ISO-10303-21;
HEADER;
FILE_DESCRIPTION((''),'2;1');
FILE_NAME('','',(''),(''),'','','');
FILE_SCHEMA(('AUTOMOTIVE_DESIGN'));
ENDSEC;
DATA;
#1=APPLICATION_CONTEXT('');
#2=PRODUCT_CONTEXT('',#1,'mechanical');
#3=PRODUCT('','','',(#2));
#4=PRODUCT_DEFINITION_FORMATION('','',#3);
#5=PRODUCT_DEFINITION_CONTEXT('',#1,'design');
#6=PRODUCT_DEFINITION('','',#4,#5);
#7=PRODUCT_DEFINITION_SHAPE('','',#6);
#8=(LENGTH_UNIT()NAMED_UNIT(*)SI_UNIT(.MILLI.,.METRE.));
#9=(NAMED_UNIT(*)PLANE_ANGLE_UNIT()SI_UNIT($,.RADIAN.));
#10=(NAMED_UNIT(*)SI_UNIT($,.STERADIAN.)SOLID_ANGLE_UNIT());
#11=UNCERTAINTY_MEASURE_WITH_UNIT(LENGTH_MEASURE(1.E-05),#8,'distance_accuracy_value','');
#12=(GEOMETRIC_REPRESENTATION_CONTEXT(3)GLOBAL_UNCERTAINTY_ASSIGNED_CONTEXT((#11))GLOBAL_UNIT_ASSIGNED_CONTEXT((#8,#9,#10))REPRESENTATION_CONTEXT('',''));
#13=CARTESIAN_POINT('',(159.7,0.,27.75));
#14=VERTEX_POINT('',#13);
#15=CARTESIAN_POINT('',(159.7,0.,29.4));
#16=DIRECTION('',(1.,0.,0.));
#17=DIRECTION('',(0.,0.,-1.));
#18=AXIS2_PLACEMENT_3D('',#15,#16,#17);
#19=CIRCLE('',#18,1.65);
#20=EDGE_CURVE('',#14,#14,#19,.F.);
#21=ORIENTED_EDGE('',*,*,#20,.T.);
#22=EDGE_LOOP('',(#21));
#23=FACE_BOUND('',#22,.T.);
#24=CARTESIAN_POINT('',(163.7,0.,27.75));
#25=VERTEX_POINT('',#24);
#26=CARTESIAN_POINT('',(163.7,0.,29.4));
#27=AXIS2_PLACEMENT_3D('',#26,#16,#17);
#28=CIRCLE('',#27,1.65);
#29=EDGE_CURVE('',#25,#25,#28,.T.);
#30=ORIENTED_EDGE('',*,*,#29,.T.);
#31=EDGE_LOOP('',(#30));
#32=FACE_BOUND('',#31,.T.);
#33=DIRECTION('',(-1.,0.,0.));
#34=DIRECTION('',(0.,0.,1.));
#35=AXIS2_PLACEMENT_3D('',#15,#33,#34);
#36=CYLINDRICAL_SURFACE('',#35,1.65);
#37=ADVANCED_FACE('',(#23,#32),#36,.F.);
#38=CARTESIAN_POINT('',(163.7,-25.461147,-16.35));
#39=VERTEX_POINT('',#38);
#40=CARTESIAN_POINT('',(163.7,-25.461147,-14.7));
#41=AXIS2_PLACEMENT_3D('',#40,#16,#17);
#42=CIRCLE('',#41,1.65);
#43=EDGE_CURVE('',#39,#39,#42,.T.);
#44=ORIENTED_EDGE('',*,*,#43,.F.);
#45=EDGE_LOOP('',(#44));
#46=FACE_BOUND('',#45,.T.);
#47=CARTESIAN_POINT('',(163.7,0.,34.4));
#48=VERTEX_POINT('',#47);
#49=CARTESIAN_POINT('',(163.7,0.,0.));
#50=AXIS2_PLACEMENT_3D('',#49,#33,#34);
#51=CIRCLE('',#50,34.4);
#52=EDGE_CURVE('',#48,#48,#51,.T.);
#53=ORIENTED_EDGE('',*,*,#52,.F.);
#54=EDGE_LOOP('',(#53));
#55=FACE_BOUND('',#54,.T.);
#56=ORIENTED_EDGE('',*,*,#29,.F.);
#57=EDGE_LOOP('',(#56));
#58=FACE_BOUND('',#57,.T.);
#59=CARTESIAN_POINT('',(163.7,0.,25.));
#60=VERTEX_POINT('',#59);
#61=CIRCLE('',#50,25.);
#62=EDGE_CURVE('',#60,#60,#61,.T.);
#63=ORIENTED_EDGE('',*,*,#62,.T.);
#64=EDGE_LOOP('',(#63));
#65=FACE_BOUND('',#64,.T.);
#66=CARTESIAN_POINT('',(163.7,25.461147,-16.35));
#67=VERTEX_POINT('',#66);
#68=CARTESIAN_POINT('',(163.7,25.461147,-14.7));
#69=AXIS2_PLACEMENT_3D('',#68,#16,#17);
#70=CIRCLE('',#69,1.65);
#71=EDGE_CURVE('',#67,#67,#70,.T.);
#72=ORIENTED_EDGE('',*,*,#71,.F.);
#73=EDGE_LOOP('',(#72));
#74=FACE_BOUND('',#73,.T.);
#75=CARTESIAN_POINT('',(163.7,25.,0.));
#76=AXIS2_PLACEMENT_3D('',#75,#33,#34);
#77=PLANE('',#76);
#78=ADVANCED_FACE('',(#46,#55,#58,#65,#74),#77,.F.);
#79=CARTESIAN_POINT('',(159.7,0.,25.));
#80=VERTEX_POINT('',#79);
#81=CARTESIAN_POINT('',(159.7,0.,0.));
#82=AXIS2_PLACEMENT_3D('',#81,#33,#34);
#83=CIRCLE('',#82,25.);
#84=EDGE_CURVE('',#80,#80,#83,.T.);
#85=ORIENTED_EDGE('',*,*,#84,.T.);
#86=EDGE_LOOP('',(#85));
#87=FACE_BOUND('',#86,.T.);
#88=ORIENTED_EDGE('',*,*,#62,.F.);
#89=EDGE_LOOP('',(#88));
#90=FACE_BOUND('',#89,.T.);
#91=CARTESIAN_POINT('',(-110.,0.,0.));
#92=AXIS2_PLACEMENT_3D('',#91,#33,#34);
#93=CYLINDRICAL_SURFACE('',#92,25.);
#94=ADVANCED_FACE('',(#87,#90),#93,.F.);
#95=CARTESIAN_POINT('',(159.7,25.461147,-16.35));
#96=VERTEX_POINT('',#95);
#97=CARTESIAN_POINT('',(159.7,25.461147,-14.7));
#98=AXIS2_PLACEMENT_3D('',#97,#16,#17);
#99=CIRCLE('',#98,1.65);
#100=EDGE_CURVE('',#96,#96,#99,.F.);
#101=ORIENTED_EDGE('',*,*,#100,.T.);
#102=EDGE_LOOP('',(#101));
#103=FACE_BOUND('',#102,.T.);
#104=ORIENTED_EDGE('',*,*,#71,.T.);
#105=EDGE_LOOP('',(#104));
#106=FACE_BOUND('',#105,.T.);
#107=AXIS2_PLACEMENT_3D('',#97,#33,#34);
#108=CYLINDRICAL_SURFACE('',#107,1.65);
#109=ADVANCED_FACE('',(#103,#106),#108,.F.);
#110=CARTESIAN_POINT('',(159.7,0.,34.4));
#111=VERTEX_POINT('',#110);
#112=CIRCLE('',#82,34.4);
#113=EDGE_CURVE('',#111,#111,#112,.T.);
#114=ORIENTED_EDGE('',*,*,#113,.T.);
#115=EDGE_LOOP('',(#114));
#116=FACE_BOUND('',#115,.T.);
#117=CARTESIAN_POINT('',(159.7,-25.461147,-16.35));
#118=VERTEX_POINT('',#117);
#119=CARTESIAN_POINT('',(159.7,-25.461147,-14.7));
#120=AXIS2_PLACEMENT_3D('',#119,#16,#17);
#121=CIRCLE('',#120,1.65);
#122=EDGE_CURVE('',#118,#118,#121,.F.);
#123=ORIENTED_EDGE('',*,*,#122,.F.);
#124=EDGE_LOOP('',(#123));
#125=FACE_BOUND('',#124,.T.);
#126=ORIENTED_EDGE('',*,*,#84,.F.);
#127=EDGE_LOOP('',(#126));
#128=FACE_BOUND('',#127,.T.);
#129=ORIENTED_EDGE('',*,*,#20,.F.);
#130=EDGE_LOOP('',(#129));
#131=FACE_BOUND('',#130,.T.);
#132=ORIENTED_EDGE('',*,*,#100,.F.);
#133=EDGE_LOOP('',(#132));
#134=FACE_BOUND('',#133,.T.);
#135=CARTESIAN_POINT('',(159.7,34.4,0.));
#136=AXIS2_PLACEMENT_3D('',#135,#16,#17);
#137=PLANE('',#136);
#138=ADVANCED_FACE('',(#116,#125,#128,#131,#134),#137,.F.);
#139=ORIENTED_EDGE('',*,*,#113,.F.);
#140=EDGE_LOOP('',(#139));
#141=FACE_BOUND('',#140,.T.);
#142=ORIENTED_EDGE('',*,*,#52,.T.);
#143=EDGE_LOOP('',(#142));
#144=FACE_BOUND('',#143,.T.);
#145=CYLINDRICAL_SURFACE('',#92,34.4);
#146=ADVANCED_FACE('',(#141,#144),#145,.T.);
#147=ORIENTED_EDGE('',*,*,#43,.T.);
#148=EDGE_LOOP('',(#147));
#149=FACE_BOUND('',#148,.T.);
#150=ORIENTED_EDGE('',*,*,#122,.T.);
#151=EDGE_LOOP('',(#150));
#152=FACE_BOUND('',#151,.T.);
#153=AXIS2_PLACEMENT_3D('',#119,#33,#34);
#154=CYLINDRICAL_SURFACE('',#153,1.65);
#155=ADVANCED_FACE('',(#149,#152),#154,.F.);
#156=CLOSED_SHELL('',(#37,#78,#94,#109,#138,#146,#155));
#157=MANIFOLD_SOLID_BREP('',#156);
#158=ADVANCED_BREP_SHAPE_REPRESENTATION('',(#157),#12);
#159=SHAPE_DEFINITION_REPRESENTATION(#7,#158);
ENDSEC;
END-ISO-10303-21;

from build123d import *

# Parameters (mm, degrees)
AXIAL_PROFILE_MM_W     = 4
AXIAL_PROFILE_MM_H     = 9.4
AXIAL_HOLES_DEPTH      = 171.775905795
AXIAL_HOLES_DEPTH_BACK = 171.775905795
SKETCH2_R              = 1.65


with BuildPart() as part:
    # Axial profile (mm) → Full revolution (revolve)
    with BuildSketch(Plane.XY, mode=Mode.PRIVATE) as full_revolution_sk:
        with Locations((161.7, 29.7)):
            Rectangle(AXIAL_PROFILE_MM_W, AXIAL_PROFILE_MM_H)
    revolve(full_revolution_sk.sketch.rotate(Axis((-110, 0, 0), (1, 0, 0)), 90), axis=Axis((-110, 0, 0), (1, 0, 0)))

    # Sketch2 → Axial holes (cut, two sides: drawn at the far end of the back side and taken through both)
    with BuildSketch(Plane(origin=(0, 0, 0), x_dir=(0, 0, -1), z_dir=(1, 0, 0)).offset(-AXIAL_HOLES_DEPTH_BACK)):
        with Locations((-29.4, 0)):
            Circle(SKETCH2_R)
        with Locations((14.7, -25.461146871)):
            Circle(SKETCH2_R)
        with Locations((14.7, 25.461146871)):
            Circle(SKETCH2_R)
    extrude(amount=AXIAL_HOLES_DEPTH + AXIAL_HOLES_DEPTH_BACK, mode=Mode.SUBTRACT)


solid = part.part
